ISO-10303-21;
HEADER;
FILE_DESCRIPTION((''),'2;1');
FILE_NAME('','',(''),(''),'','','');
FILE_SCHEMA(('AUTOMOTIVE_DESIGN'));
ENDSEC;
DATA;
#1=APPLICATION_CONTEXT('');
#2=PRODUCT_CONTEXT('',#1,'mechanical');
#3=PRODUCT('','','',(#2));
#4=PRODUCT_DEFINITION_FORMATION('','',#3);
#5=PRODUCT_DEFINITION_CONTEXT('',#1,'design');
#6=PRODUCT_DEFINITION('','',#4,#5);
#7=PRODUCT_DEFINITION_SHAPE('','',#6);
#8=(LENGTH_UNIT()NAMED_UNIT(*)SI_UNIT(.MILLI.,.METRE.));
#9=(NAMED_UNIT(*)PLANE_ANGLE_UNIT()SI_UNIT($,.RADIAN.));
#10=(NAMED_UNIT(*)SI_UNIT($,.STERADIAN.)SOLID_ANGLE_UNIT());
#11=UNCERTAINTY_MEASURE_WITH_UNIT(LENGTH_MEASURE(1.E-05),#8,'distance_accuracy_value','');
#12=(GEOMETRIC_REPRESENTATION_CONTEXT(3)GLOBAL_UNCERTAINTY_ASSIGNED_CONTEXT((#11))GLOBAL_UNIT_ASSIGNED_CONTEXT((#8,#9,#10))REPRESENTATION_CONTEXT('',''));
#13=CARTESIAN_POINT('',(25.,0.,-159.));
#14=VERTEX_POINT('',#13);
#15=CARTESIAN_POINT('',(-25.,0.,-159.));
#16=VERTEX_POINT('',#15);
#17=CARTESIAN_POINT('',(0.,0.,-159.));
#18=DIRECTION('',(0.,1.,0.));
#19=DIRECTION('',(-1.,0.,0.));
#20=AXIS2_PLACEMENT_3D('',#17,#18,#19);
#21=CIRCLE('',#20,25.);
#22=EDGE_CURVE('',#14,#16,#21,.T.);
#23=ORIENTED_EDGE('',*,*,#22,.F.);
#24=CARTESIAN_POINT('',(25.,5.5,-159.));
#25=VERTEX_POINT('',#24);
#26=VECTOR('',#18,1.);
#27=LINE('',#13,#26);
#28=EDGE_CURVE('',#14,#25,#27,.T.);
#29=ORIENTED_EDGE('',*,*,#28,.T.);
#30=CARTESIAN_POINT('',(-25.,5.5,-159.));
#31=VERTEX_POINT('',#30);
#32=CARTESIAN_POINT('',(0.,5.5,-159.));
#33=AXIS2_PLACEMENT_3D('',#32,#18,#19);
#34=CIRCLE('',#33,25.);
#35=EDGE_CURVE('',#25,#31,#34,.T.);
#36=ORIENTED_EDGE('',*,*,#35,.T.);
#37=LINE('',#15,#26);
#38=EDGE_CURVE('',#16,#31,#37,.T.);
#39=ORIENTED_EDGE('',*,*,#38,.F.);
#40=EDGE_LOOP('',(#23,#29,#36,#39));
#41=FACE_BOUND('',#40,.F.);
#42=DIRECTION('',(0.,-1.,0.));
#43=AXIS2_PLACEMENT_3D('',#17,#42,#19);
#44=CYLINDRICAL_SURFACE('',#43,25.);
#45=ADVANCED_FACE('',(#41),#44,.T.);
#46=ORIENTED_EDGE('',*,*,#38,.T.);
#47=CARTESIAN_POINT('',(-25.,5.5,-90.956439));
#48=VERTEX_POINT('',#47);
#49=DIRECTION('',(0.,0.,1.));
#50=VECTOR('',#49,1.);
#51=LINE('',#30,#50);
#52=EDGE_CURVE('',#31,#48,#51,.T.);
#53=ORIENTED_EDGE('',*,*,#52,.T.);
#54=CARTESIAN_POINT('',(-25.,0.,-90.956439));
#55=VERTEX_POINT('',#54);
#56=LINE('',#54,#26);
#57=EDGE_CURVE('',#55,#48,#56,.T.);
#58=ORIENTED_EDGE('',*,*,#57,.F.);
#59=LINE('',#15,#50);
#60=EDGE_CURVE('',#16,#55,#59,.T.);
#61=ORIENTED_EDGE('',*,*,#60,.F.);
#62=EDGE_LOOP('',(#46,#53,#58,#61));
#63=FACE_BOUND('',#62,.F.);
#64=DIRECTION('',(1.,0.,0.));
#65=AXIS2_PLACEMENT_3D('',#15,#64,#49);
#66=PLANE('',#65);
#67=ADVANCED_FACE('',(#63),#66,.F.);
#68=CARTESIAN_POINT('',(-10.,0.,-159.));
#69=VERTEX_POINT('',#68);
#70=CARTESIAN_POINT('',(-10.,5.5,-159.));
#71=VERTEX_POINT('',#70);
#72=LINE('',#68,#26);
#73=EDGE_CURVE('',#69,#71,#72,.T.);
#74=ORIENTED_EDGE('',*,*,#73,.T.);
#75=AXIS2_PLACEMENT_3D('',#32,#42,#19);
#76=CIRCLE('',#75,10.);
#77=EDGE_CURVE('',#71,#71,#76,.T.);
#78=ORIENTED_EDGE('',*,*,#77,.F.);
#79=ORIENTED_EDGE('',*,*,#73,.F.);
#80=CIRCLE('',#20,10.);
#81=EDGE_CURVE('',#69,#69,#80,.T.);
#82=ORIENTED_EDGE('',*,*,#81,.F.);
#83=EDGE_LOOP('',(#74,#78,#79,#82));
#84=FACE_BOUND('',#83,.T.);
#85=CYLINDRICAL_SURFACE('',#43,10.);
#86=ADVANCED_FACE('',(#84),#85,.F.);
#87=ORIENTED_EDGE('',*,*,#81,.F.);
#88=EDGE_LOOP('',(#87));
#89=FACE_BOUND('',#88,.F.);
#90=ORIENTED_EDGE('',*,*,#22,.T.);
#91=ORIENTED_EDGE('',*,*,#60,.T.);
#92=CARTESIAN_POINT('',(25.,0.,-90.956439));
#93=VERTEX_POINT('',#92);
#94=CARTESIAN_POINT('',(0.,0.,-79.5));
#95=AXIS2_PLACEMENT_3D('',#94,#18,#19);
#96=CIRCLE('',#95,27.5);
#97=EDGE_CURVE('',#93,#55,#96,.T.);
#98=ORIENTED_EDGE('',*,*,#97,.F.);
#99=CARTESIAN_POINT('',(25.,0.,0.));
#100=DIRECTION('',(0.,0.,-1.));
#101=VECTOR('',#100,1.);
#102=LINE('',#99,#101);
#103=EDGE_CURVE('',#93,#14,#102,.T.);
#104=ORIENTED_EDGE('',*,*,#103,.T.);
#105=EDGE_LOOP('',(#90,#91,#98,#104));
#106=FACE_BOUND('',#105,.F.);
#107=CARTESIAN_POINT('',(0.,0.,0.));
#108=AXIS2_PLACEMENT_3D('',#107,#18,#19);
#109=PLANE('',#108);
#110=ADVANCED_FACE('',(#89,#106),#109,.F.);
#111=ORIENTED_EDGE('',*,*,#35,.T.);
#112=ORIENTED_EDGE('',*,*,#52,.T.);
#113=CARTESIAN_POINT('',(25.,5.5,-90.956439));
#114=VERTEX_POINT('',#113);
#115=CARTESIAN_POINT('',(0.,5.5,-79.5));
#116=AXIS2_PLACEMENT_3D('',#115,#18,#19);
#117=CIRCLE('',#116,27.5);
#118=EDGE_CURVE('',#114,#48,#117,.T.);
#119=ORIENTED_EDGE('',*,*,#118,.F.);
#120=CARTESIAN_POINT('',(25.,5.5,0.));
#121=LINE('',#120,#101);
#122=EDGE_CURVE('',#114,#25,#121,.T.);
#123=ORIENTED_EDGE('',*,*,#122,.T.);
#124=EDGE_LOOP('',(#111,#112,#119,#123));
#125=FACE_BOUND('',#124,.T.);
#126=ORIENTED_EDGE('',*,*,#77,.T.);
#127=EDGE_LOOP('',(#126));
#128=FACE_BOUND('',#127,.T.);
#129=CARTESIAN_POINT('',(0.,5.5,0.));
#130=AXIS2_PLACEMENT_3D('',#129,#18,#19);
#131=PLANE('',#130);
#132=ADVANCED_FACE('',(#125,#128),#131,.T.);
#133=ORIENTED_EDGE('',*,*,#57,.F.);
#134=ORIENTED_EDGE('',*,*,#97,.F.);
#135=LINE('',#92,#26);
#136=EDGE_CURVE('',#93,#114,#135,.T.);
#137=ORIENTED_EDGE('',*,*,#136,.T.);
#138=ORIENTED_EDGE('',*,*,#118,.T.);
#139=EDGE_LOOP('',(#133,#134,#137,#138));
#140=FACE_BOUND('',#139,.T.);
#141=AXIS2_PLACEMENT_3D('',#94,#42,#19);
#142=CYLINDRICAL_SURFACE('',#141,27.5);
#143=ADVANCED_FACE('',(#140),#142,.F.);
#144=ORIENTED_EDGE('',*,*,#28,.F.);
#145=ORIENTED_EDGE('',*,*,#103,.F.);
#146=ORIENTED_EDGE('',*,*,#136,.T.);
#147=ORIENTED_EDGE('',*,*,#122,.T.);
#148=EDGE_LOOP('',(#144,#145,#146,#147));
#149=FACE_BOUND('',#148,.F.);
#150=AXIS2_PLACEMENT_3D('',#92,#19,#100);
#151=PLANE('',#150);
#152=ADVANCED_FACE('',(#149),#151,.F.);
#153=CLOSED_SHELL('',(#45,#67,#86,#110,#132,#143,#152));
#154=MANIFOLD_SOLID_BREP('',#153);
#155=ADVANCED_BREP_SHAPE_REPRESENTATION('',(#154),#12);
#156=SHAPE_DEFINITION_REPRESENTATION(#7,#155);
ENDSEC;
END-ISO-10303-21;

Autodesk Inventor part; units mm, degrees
ref_plane "YZ Plane" through (0, 0, 0) normal (1, 0, 0) x (0, 1, 0)
ref_plane "XZ Plane" through (0, 0, 0) normal (0, 1, 0) x (-1, 0, 0)
ref_plane "XY Plane" through (0, 0, 0) normal (0, 0, 1) x (1, 0, 0)
sketch "スケッチ1" plane through (0, 0, 0) normal (0, 1, 0) x (-1, 0, 0)
  line L0 (25, 0) -> (-25, 0)
  line L1 (-25, 0) -> (-25, -159)
  line L2 (-25, -159) -> (25, -159)
  line L3 (25, -159) -> (25, 0)
  circle A0 centre (0, 0) radius 25
  circle A1 centre (0, 0) radius 57 construction
  circle A2 centre (0, -79.5) radius 22.5 construction
  circle A3 centre (0, 0) radius 75 construction
  circle A4 centre (0, -79.5) radius 10
  circle A5 centre (0, 0) radius 10
  circle A6 centre (0, -159) radius 10
  circle A7 centre (0, -159) radius 57 construction
  circle A8 centre (0, -159) radius 25
  circle A9 centre (0, -79.5) radius 27.5
  point P0 (25, -90.9564)
  point P1 (-25, -90.9564)
  dimension "d0" = 114
  dimension "d1" = 45
  dimension "d2" = 150
  dimension "d3" = 20
  dimension "d4" = 20
  dimension "d5" = 50
  dimension "d8" = 20
  dimension "d13" = 55
extrude "押し出し1" add sketch "スケッチ1" along normal blind 5.5 contours L3 A8 L1 A9 | A8 L2 A6 | L2 A6 A8
properties part number "ギアプレートupper_upper"
